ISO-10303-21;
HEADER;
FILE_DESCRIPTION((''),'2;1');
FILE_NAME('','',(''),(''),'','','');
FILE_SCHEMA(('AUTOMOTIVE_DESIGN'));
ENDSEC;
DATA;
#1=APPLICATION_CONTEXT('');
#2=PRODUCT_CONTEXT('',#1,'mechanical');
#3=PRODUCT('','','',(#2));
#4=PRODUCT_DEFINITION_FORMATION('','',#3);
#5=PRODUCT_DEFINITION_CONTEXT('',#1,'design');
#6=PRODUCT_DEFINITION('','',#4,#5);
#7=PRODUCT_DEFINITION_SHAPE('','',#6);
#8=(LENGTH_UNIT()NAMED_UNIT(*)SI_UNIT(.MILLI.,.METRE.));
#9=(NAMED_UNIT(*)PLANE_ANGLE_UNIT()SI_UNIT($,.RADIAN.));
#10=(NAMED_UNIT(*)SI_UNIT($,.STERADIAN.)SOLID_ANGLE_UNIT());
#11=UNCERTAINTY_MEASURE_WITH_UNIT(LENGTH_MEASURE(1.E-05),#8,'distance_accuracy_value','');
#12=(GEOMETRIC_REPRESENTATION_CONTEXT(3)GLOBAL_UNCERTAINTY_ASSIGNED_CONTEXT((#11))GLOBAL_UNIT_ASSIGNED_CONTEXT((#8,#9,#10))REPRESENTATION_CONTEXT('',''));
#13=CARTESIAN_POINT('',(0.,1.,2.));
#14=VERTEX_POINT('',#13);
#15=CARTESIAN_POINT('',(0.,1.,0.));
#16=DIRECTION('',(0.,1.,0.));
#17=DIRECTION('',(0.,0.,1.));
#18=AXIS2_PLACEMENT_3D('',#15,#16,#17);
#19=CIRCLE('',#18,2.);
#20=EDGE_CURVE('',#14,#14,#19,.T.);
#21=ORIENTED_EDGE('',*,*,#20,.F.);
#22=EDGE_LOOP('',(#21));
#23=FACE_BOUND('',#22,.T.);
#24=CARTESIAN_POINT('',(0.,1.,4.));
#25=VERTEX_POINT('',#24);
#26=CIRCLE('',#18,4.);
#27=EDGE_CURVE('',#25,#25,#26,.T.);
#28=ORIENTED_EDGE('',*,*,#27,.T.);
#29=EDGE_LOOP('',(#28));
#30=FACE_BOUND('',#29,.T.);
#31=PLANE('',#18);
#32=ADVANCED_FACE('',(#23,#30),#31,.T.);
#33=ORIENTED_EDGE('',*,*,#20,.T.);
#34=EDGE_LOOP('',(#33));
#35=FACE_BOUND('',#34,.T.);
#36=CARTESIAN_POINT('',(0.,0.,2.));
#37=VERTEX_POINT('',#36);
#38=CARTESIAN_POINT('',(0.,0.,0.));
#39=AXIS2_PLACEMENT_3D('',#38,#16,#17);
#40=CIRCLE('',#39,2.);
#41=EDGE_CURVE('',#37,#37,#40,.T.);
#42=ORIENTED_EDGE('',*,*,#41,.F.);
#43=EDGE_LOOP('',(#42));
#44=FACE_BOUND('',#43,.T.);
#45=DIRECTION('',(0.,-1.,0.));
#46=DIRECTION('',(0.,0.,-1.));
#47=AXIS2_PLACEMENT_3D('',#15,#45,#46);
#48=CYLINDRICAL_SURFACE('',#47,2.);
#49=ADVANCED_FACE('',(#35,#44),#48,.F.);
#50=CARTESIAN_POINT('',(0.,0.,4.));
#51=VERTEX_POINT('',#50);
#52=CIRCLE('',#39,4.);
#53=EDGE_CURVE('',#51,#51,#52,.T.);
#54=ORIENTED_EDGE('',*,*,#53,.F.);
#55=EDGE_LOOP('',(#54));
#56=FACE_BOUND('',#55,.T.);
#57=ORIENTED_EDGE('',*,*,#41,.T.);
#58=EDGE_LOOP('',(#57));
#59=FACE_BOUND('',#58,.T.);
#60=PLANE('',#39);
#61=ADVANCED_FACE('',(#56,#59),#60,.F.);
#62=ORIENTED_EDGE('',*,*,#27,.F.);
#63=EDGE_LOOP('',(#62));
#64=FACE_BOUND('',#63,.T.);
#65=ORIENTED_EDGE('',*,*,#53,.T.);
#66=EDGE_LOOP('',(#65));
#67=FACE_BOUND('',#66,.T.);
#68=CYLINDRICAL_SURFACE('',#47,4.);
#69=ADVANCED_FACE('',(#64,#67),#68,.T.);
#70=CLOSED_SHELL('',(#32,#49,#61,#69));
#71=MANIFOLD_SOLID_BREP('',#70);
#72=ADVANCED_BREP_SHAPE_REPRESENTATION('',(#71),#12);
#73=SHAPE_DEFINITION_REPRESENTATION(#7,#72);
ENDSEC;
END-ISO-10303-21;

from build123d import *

# Parameters (mm, degrees)
SKETCH1_R           = 4
SKETCH1_R_2         = 2
BOSS_EXTRUDE1_DEPTH = 1


with BuildPart() as part:
    # Sketch1 → Boss-Extrude1 (new body)
    with BuildSketch(Plane(origin=(0, 0, 0), x_dir=(1, 0, 0), z_dir=(0, 1, 0))):
        Circle(SKETCH1_R)
        Circle(SKETCH1_R_2, mode=Mode.SUBTRACT)
    extrude(amount=BOSS_EXTRUDE1_DEPTH)


solid = part.part
